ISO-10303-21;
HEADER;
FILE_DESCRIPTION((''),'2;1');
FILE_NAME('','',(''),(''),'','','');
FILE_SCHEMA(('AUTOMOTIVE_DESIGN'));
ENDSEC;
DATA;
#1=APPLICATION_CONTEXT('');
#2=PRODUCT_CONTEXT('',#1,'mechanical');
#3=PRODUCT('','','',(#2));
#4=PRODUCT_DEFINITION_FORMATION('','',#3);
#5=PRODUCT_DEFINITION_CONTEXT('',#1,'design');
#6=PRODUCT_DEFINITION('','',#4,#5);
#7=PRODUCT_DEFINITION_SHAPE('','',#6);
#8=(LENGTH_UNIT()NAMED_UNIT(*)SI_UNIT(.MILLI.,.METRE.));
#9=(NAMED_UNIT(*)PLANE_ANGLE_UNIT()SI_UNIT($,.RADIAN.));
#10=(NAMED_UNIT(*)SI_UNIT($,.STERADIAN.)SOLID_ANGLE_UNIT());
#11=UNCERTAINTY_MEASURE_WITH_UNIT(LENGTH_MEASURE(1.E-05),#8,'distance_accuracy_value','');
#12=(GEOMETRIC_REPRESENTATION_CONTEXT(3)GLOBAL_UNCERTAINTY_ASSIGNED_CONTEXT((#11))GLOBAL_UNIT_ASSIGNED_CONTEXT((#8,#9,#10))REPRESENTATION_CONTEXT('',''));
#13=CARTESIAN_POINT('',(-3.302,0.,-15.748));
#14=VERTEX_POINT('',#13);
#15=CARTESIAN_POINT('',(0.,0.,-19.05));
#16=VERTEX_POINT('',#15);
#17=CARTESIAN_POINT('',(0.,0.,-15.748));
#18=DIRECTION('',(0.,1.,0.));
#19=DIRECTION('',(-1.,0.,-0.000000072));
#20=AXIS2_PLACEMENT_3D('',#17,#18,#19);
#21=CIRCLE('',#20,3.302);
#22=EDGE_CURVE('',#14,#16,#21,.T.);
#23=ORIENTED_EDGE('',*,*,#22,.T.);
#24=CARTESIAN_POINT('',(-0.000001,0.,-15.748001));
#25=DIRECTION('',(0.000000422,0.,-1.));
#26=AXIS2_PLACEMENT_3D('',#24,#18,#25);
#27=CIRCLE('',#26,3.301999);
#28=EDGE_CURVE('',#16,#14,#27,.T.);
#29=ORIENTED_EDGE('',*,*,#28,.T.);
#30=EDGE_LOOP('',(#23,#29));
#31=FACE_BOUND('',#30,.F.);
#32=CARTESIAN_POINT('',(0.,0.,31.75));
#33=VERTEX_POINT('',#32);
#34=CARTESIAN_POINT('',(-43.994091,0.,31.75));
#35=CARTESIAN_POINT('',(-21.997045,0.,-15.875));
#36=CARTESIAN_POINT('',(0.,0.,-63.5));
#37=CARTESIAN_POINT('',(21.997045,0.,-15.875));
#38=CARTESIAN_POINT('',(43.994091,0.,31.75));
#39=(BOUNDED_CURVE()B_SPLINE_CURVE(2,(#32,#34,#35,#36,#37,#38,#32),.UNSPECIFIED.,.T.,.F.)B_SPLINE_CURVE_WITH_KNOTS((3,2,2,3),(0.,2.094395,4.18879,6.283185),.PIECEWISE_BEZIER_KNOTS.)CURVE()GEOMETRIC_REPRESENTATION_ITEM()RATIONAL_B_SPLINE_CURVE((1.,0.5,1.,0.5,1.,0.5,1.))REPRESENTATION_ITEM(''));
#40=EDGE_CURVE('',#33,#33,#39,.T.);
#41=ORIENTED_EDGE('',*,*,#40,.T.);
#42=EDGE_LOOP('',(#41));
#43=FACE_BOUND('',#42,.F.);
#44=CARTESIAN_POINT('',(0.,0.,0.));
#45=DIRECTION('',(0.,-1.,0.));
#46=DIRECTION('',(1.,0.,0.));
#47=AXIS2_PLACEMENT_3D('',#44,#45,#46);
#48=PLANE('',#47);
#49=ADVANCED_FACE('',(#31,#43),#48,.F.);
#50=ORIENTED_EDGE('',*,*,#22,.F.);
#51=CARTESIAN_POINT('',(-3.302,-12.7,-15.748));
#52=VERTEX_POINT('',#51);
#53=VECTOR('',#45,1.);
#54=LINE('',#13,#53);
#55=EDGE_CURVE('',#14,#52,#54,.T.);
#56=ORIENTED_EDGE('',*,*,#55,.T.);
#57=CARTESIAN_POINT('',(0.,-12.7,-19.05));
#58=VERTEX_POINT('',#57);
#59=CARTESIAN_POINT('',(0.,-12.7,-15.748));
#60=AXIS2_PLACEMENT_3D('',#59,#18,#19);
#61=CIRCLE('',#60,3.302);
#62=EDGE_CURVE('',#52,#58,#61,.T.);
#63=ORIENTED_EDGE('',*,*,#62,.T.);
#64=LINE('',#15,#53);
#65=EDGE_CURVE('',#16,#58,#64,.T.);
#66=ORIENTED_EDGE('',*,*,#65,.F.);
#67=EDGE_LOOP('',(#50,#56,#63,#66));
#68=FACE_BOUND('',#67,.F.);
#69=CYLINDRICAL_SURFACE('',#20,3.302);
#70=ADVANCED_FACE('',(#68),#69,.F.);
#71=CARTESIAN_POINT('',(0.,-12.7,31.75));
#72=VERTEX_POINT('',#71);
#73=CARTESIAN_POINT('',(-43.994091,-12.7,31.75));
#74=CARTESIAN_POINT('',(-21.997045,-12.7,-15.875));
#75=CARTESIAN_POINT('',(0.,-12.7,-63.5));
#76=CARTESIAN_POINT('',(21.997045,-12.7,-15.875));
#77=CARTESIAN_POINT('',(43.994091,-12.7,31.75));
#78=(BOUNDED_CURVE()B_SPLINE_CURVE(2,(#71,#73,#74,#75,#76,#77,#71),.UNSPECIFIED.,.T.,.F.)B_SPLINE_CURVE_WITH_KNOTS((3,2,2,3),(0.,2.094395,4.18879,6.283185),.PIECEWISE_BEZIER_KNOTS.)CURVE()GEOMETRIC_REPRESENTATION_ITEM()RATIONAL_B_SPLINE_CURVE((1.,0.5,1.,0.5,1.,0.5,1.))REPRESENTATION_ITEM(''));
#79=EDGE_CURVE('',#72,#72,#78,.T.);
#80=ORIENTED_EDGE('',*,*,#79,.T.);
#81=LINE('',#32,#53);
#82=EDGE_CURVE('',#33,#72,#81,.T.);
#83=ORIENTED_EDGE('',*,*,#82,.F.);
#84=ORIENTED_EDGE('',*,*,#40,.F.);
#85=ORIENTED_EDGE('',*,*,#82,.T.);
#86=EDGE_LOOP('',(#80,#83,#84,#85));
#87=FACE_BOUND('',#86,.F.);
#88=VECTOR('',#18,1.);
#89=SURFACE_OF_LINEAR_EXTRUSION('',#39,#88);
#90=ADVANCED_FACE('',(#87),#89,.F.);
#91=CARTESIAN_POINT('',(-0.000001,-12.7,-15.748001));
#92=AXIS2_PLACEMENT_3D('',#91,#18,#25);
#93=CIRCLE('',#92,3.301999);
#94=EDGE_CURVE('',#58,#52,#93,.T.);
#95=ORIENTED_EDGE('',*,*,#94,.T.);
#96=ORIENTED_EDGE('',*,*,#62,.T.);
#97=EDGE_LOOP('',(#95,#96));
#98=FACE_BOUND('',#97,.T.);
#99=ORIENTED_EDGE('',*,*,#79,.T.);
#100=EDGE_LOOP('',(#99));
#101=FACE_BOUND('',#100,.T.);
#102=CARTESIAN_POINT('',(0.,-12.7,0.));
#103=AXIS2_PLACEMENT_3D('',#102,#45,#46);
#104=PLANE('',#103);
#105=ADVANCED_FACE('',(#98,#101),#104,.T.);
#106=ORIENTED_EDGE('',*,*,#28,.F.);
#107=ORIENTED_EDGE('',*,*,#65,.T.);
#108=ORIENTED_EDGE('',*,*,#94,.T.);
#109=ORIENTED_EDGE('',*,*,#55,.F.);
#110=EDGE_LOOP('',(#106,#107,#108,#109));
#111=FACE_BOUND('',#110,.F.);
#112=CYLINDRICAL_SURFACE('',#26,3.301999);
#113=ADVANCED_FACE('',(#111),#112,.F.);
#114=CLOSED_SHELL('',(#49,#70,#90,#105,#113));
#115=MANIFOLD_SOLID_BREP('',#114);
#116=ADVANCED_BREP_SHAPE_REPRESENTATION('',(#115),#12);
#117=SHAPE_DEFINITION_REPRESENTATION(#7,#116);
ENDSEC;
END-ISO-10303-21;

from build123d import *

# Parameters (mm, degrees)
F1_DEPTH = 12.7
F3_DEPTH = 25.4


with BuildPart() as f1:
    # F0 (on Front) → F1 (new body)
    with BuildSketch(Plane.XZ):
        with BuildLine():
            add(Edge.make_bspline(
                [(0, 31.75), (-43.994091, 31.75), (-21.997045, -15.875), (0, -63.5), (21.997045, -15.875), (43.994091, 31.75), (0, 31.75)],
                knots=[0, 0, 0, 2.094395, 2.094395, 4.18879, 4.18879, 6.283185, 6.283185, 6.283185], degree=2, weights=[1, 0.5, 1, 0.5, 1, 0.5, 1]))
        make_face()
    extrude(amount=F1_DEPTH)

    # F2 (on face) → F3 (cut)
    with BuildSketch(Plane(origin=(0, 0, 0), x_dir=(-1, 0, 0), z_dir=(0, 1, 0))):
        with BuildLine():
            ThreePointArc((0, -19.05), (2.334867, -18.082867), (3.302, -15.748))
            ThreePointArc((3.302, -15.748), (-2.334867, -13.413133), (0, -19.05))
        make_face()
    extrude(amount=-F3_DEPTH, mode=Mode.SUBTRACT)


solid = f1.part
